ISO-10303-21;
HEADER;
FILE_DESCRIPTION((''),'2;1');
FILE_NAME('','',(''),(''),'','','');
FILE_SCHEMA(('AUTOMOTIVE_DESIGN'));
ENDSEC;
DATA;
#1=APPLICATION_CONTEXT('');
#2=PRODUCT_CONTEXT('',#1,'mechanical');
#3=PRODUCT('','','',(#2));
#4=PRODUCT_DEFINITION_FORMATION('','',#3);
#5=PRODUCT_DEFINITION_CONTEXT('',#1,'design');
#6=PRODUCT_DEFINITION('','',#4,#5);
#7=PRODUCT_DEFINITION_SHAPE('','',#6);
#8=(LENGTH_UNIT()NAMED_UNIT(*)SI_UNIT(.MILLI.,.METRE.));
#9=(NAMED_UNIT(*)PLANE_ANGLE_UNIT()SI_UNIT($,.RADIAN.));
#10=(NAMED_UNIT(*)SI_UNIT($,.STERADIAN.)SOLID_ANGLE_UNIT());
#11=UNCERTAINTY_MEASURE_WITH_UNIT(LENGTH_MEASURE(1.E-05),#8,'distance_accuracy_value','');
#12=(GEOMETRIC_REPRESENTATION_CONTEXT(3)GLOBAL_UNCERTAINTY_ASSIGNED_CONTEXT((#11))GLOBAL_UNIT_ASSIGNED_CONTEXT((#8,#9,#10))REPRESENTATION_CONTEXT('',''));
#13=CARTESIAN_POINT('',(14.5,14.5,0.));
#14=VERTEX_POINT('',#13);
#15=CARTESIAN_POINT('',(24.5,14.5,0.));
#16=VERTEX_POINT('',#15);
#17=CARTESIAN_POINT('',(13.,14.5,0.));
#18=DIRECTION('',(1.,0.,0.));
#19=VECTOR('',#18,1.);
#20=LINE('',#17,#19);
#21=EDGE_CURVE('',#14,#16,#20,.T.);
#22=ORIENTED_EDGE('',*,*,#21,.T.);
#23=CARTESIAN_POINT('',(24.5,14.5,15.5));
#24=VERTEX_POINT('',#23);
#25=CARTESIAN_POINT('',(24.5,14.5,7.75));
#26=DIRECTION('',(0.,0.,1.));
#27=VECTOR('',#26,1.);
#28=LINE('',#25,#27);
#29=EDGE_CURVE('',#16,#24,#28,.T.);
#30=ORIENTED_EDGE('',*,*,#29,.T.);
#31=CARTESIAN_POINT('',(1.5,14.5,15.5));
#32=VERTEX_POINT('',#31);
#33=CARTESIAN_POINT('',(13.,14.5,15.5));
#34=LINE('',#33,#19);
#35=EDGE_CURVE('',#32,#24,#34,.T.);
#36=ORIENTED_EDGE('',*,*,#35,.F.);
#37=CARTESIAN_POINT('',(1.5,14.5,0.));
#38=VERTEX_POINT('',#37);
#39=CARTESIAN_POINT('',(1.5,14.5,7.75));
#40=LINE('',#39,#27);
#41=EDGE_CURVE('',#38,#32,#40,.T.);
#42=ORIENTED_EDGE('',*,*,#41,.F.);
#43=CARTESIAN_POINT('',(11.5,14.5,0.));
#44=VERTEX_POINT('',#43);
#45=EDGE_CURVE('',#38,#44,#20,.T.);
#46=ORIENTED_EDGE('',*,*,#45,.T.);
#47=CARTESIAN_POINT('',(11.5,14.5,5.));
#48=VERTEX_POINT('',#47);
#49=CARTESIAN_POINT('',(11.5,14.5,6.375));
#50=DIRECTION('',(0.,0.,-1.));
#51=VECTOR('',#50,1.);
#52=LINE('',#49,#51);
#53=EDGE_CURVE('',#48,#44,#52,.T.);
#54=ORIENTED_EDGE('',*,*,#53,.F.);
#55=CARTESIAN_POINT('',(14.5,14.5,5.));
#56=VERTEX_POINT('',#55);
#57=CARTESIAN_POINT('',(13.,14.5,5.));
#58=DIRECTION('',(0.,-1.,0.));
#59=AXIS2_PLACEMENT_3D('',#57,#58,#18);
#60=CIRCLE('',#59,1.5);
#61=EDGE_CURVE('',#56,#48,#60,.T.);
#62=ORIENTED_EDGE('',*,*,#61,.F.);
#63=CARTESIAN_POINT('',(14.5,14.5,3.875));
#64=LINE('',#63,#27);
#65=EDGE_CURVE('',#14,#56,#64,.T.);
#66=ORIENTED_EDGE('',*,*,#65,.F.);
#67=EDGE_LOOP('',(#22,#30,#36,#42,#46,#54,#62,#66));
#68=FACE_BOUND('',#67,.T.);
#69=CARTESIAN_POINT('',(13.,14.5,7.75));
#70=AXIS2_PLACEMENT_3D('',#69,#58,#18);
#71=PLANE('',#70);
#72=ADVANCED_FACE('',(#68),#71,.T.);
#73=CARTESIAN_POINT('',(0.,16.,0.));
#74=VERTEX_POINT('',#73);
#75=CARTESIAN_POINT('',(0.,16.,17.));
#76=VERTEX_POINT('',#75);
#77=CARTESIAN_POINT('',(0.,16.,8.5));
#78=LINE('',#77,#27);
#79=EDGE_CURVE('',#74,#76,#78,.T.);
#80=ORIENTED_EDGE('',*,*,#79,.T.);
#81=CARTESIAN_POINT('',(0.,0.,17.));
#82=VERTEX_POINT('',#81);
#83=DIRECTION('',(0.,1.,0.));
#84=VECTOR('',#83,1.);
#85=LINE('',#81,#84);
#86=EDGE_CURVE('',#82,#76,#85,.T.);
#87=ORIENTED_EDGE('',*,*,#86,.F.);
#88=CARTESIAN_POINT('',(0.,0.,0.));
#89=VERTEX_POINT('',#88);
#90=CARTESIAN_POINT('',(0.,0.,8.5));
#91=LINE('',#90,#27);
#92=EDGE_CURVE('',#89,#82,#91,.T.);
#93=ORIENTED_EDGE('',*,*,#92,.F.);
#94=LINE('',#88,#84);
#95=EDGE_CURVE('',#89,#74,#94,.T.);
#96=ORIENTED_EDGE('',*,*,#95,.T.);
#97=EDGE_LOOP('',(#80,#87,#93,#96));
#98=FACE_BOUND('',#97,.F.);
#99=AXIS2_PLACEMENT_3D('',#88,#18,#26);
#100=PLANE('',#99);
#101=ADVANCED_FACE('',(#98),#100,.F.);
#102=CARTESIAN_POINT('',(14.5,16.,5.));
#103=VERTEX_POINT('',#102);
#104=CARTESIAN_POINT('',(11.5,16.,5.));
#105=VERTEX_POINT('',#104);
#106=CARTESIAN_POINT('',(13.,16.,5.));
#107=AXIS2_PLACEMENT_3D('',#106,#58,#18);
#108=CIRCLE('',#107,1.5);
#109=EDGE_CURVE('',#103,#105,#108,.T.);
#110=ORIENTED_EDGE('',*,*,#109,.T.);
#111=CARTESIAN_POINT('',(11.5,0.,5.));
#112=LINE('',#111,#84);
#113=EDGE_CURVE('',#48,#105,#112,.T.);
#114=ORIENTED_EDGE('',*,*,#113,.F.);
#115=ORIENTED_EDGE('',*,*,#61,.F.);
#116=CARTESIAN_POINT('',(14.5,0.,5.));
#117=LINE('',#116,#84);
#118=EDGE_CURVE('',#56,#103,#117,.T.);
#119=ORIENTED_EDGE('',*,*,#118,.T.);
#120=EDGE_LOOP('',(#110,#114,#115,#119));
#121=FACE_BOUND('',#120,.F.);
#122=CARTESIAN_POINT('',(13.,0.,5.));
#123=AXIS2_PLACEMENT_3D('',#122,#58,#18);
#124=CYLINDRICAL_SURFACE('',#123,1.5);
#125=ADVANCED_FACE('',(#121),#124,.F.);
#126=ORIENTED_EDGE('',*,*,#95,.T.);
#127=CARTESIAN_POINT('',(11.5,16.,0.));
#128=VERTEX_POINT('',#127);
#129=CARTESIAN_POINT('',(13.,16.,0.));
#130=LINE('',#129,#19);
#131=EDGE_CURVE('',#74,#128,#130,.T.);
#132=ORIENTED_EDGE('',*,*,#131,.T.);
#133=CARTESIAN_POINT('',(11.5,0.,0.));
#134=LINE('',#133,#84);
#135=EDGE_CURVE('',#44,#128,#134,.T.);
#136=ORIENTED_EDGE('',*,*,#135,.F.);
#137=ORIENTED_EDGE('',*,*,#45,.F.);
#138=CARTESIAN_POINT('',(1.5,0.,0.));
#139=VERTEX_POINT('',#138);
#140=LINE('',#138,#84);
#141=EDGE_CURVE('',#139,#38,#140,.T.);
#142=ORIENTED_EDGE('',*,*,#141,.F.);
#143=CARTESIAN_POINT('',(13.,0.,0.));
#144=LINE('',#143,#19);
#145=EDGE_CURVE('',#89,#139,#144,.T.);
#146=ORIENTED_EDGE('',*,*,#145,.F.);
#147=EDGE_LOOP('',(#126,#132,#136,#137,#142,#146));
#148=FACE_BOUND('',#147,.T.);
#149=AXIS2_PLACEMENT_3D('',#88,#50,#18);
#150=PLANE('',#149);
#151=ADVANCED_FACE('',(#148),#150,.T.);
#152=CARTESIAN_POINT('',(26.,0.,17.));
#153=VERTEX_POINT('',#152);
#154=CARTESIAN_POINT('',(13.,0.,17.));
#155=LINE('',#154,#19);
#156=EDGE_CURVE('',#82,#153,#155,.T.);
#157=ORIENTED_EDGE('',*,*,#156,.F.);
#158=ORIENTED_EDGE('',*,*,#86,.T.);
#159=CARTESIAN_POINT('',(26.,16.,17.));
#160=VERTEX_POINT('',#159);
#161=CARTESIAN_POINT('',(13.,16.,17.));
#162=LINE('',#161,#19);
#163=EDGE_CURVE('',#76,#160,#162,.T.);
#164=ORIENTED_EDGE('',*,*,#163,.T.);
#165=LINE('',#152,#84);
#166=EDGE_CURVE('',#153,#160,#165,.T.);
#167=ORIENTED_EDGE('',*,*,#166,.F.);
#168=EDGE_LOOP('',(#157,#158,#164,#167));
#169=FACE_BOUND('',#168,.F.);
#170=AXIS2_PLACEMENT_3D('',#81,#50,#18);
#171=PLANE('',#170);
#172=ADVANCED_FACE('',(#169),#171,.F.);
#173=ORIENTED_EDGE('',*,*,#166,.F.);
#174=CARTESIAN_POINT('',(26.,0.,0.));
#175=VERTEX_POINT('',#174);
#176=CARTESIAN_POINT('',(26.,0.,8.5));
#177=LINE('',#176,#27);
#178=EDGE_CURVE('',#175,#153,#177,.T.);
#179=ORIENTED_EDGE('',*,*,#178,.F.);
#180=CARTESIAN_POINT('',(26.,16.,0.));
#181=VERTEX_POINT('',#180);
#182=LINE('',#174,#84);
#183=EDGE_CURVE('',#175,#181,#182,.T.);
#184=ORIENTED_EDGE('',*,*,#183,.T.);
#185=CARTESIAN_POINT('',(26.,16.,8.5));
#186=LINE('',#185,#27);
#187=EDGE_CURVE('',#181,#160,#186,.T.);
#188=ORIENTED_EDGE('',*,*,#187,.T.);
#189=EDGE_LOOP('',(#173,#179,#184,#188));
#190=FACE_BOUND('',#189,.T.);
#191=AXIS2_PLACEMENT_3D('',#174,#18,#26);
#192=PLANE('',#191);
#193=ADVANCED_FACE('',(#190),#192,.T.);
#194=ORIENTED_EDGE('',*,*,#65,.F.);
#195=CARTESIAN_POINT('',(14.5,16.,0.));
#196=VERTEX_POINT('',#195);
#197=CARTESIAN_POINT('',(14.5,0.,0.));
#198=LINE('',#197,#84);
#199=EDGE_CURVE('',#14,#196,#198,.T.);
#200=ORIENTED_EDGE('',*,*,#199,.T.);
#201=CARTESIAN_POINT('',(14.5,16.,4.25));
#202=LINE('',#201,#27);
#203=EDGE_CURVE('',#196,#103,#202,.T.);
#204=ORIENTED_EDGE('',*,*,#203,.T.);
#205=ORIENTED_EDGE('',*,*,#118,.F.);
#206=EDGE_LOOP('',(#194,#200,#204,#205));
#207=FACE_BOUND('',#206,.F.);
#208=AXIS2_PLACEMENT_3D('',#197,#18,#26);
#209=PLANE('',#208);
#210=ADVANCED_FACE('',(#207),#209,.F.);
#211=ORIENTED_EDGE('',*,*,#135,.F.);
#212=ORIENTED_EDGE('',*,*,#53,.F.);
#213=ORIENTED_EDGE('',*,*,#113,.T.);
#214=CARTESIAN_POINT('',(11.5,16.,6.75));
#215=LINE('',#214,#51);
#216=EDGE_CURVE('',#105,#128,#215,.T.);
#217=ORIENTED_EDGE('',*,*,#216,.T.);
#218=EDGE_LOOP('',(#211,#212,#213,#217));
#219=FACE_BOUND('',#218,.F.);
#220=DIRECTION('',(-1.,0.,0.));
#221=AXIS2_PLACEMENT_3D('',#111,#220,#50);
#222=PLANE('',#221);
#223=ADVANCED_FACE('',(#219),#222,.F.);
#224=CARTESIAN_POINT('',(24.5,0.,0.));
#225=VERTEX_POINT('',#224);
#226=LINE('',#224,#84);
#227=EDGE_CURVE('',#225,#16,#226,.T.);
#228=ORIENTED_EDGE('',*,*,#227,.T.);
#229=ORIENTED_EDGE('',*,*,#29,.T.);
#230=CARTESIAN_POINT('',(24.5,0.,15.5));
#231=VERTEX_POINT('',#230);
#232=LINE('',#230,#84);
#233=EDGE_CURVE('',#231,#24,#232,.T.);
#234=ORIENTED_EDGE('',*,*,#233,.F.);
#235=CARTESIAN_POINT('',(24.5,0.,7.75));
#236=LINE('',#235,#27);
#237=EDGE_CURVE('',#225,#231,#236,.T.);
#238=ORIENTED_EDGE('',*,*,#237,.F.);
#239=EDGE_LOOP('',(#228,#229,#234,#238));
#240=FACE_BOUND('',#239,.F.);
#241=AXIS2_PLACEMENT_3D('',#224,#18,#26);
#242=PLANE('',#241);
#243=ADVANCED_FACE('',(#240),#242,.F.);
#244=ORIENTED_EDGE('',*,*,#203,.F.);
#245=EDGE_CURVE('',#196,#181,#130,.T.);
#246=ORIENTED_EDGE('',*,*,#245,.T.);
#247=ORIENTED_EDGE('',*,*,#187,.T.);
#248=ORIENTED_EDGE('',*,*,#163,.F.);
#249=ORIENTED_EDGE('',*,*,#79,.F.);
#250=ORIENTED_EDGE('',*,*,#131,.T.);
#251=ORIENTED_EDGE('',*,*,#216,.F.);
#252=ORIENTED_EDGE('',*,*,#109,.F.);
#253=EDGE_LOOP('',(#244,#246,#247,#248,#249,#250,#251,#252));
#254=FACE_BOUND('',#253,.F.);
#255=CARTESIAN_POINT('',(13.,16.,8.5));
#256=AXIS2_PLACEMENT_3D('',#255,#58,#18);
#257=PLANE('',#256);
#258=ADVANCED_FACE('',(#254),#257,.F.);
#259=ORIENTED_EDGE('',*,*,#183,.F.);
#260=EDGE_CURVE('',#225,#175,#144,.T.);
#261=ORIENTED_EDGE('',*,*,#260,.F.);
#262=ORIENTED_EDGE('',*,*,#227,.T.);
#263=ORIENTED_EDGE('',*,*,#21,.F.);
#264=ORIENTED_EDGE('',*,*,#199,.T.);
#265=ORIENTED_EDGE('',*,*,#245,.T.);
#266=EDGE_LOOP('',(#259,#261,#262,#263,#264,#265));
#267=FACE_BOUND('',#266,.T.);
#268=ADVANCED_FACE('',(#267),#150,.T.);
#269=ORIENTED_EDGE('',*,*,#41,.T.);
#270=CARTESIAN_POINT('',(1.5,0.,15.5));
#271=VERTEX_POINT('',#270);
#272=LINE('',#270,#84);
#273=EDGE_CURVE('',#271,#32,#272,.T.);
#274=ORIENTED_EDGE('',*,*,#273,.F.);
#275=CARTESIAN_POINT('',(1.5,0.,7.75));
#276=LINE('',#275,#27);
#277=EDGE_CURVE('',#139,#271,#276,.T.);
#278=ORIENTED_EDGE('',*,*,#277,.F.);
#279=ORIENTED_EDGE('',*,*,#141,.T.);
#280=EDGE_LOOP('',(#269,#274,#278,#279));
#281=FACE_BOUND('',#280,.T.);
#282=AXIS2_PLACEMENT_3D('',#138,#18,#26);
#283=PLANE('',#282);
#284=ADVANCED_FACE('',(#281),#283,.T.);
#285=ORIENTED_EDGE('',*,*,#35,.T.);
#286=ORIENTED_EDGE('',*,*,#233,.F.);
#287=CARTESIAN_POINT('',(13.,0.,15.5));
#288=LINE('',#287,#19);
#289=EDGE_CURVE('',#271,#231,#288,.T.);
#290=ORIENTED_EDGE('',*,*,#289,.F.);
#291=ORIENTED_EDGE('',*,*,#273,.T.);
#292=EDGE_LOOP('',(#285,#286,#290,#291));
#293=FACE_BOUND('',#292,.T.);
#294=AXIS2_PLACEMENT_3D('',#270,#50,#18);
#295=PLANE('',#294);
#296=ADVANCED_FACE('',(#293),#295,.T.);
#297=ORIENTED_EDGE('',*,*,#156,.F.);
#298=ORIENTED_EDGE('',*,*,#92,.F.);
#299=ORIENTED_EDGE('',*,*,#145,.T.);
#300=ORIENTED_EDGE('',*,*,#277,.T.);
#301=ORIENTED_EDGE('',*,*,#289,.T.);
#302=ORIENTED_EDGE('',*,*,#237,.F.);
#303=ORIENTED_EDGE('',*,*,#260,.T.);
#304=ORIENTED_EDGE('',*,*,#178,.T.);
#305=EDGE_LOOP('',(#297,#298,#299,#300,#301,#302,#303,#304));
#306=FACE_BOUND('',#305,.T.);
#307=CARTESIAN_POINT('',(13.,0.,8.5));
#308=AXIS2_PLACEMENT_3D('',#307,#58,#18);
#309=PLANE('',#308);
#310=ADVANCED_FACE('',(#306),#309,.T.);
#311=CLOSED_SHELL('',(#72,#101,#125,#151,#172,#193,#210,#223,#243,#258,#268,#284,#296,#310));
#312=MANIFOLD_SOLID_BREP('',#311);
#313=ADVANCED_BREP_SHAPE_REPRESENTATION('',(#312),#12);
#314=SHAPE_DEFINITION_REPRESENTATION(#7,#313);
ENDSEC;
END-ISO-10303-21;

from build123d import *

# Parameters (mm, degrees)
F0_W     = 26
F0_H     = 17
F1_DEPTH = 16
F2_W     = 23
F2_H     = 15.5
F3_DEPTH = 14.5
F5_DEPTH = 25


with BuildPart() as f1:
    # F0 (on Front) → F1 (new body)
    with BuildSketch(Plane.XZ):
        with Locations((13, 8.5)):
            Rectangle(F0_W, F0_H)
    extrude(amount=-F1_DEPTH)

    # F2 (on Front) → F3 (cut)
    with BuildSketch(Plane.XZ):
        with Locations((13, 7.75)):
            Rectangle(F2_W, F2_H)
    extrude(amount=-F3_DEPTH, mode=Mode.SUBTRACT)

    # F4 (on Front) → F5 (cut)
    with BuildSketch(Plane.XZ):
        with BuildLine():
            Line((14.5, 0), (14.5, 5))
            ThreePointArc((14.5, 5), (13, 6.5), (11.5, 5))
            Line((11.5, 5), (11.5, 0))
            Line((11.5, 0), (14.5, 0))
        make_face()
    extrude(amount=-F5_DEPTH, mode=Mode.SUBTRACT)


solid = f1.part
